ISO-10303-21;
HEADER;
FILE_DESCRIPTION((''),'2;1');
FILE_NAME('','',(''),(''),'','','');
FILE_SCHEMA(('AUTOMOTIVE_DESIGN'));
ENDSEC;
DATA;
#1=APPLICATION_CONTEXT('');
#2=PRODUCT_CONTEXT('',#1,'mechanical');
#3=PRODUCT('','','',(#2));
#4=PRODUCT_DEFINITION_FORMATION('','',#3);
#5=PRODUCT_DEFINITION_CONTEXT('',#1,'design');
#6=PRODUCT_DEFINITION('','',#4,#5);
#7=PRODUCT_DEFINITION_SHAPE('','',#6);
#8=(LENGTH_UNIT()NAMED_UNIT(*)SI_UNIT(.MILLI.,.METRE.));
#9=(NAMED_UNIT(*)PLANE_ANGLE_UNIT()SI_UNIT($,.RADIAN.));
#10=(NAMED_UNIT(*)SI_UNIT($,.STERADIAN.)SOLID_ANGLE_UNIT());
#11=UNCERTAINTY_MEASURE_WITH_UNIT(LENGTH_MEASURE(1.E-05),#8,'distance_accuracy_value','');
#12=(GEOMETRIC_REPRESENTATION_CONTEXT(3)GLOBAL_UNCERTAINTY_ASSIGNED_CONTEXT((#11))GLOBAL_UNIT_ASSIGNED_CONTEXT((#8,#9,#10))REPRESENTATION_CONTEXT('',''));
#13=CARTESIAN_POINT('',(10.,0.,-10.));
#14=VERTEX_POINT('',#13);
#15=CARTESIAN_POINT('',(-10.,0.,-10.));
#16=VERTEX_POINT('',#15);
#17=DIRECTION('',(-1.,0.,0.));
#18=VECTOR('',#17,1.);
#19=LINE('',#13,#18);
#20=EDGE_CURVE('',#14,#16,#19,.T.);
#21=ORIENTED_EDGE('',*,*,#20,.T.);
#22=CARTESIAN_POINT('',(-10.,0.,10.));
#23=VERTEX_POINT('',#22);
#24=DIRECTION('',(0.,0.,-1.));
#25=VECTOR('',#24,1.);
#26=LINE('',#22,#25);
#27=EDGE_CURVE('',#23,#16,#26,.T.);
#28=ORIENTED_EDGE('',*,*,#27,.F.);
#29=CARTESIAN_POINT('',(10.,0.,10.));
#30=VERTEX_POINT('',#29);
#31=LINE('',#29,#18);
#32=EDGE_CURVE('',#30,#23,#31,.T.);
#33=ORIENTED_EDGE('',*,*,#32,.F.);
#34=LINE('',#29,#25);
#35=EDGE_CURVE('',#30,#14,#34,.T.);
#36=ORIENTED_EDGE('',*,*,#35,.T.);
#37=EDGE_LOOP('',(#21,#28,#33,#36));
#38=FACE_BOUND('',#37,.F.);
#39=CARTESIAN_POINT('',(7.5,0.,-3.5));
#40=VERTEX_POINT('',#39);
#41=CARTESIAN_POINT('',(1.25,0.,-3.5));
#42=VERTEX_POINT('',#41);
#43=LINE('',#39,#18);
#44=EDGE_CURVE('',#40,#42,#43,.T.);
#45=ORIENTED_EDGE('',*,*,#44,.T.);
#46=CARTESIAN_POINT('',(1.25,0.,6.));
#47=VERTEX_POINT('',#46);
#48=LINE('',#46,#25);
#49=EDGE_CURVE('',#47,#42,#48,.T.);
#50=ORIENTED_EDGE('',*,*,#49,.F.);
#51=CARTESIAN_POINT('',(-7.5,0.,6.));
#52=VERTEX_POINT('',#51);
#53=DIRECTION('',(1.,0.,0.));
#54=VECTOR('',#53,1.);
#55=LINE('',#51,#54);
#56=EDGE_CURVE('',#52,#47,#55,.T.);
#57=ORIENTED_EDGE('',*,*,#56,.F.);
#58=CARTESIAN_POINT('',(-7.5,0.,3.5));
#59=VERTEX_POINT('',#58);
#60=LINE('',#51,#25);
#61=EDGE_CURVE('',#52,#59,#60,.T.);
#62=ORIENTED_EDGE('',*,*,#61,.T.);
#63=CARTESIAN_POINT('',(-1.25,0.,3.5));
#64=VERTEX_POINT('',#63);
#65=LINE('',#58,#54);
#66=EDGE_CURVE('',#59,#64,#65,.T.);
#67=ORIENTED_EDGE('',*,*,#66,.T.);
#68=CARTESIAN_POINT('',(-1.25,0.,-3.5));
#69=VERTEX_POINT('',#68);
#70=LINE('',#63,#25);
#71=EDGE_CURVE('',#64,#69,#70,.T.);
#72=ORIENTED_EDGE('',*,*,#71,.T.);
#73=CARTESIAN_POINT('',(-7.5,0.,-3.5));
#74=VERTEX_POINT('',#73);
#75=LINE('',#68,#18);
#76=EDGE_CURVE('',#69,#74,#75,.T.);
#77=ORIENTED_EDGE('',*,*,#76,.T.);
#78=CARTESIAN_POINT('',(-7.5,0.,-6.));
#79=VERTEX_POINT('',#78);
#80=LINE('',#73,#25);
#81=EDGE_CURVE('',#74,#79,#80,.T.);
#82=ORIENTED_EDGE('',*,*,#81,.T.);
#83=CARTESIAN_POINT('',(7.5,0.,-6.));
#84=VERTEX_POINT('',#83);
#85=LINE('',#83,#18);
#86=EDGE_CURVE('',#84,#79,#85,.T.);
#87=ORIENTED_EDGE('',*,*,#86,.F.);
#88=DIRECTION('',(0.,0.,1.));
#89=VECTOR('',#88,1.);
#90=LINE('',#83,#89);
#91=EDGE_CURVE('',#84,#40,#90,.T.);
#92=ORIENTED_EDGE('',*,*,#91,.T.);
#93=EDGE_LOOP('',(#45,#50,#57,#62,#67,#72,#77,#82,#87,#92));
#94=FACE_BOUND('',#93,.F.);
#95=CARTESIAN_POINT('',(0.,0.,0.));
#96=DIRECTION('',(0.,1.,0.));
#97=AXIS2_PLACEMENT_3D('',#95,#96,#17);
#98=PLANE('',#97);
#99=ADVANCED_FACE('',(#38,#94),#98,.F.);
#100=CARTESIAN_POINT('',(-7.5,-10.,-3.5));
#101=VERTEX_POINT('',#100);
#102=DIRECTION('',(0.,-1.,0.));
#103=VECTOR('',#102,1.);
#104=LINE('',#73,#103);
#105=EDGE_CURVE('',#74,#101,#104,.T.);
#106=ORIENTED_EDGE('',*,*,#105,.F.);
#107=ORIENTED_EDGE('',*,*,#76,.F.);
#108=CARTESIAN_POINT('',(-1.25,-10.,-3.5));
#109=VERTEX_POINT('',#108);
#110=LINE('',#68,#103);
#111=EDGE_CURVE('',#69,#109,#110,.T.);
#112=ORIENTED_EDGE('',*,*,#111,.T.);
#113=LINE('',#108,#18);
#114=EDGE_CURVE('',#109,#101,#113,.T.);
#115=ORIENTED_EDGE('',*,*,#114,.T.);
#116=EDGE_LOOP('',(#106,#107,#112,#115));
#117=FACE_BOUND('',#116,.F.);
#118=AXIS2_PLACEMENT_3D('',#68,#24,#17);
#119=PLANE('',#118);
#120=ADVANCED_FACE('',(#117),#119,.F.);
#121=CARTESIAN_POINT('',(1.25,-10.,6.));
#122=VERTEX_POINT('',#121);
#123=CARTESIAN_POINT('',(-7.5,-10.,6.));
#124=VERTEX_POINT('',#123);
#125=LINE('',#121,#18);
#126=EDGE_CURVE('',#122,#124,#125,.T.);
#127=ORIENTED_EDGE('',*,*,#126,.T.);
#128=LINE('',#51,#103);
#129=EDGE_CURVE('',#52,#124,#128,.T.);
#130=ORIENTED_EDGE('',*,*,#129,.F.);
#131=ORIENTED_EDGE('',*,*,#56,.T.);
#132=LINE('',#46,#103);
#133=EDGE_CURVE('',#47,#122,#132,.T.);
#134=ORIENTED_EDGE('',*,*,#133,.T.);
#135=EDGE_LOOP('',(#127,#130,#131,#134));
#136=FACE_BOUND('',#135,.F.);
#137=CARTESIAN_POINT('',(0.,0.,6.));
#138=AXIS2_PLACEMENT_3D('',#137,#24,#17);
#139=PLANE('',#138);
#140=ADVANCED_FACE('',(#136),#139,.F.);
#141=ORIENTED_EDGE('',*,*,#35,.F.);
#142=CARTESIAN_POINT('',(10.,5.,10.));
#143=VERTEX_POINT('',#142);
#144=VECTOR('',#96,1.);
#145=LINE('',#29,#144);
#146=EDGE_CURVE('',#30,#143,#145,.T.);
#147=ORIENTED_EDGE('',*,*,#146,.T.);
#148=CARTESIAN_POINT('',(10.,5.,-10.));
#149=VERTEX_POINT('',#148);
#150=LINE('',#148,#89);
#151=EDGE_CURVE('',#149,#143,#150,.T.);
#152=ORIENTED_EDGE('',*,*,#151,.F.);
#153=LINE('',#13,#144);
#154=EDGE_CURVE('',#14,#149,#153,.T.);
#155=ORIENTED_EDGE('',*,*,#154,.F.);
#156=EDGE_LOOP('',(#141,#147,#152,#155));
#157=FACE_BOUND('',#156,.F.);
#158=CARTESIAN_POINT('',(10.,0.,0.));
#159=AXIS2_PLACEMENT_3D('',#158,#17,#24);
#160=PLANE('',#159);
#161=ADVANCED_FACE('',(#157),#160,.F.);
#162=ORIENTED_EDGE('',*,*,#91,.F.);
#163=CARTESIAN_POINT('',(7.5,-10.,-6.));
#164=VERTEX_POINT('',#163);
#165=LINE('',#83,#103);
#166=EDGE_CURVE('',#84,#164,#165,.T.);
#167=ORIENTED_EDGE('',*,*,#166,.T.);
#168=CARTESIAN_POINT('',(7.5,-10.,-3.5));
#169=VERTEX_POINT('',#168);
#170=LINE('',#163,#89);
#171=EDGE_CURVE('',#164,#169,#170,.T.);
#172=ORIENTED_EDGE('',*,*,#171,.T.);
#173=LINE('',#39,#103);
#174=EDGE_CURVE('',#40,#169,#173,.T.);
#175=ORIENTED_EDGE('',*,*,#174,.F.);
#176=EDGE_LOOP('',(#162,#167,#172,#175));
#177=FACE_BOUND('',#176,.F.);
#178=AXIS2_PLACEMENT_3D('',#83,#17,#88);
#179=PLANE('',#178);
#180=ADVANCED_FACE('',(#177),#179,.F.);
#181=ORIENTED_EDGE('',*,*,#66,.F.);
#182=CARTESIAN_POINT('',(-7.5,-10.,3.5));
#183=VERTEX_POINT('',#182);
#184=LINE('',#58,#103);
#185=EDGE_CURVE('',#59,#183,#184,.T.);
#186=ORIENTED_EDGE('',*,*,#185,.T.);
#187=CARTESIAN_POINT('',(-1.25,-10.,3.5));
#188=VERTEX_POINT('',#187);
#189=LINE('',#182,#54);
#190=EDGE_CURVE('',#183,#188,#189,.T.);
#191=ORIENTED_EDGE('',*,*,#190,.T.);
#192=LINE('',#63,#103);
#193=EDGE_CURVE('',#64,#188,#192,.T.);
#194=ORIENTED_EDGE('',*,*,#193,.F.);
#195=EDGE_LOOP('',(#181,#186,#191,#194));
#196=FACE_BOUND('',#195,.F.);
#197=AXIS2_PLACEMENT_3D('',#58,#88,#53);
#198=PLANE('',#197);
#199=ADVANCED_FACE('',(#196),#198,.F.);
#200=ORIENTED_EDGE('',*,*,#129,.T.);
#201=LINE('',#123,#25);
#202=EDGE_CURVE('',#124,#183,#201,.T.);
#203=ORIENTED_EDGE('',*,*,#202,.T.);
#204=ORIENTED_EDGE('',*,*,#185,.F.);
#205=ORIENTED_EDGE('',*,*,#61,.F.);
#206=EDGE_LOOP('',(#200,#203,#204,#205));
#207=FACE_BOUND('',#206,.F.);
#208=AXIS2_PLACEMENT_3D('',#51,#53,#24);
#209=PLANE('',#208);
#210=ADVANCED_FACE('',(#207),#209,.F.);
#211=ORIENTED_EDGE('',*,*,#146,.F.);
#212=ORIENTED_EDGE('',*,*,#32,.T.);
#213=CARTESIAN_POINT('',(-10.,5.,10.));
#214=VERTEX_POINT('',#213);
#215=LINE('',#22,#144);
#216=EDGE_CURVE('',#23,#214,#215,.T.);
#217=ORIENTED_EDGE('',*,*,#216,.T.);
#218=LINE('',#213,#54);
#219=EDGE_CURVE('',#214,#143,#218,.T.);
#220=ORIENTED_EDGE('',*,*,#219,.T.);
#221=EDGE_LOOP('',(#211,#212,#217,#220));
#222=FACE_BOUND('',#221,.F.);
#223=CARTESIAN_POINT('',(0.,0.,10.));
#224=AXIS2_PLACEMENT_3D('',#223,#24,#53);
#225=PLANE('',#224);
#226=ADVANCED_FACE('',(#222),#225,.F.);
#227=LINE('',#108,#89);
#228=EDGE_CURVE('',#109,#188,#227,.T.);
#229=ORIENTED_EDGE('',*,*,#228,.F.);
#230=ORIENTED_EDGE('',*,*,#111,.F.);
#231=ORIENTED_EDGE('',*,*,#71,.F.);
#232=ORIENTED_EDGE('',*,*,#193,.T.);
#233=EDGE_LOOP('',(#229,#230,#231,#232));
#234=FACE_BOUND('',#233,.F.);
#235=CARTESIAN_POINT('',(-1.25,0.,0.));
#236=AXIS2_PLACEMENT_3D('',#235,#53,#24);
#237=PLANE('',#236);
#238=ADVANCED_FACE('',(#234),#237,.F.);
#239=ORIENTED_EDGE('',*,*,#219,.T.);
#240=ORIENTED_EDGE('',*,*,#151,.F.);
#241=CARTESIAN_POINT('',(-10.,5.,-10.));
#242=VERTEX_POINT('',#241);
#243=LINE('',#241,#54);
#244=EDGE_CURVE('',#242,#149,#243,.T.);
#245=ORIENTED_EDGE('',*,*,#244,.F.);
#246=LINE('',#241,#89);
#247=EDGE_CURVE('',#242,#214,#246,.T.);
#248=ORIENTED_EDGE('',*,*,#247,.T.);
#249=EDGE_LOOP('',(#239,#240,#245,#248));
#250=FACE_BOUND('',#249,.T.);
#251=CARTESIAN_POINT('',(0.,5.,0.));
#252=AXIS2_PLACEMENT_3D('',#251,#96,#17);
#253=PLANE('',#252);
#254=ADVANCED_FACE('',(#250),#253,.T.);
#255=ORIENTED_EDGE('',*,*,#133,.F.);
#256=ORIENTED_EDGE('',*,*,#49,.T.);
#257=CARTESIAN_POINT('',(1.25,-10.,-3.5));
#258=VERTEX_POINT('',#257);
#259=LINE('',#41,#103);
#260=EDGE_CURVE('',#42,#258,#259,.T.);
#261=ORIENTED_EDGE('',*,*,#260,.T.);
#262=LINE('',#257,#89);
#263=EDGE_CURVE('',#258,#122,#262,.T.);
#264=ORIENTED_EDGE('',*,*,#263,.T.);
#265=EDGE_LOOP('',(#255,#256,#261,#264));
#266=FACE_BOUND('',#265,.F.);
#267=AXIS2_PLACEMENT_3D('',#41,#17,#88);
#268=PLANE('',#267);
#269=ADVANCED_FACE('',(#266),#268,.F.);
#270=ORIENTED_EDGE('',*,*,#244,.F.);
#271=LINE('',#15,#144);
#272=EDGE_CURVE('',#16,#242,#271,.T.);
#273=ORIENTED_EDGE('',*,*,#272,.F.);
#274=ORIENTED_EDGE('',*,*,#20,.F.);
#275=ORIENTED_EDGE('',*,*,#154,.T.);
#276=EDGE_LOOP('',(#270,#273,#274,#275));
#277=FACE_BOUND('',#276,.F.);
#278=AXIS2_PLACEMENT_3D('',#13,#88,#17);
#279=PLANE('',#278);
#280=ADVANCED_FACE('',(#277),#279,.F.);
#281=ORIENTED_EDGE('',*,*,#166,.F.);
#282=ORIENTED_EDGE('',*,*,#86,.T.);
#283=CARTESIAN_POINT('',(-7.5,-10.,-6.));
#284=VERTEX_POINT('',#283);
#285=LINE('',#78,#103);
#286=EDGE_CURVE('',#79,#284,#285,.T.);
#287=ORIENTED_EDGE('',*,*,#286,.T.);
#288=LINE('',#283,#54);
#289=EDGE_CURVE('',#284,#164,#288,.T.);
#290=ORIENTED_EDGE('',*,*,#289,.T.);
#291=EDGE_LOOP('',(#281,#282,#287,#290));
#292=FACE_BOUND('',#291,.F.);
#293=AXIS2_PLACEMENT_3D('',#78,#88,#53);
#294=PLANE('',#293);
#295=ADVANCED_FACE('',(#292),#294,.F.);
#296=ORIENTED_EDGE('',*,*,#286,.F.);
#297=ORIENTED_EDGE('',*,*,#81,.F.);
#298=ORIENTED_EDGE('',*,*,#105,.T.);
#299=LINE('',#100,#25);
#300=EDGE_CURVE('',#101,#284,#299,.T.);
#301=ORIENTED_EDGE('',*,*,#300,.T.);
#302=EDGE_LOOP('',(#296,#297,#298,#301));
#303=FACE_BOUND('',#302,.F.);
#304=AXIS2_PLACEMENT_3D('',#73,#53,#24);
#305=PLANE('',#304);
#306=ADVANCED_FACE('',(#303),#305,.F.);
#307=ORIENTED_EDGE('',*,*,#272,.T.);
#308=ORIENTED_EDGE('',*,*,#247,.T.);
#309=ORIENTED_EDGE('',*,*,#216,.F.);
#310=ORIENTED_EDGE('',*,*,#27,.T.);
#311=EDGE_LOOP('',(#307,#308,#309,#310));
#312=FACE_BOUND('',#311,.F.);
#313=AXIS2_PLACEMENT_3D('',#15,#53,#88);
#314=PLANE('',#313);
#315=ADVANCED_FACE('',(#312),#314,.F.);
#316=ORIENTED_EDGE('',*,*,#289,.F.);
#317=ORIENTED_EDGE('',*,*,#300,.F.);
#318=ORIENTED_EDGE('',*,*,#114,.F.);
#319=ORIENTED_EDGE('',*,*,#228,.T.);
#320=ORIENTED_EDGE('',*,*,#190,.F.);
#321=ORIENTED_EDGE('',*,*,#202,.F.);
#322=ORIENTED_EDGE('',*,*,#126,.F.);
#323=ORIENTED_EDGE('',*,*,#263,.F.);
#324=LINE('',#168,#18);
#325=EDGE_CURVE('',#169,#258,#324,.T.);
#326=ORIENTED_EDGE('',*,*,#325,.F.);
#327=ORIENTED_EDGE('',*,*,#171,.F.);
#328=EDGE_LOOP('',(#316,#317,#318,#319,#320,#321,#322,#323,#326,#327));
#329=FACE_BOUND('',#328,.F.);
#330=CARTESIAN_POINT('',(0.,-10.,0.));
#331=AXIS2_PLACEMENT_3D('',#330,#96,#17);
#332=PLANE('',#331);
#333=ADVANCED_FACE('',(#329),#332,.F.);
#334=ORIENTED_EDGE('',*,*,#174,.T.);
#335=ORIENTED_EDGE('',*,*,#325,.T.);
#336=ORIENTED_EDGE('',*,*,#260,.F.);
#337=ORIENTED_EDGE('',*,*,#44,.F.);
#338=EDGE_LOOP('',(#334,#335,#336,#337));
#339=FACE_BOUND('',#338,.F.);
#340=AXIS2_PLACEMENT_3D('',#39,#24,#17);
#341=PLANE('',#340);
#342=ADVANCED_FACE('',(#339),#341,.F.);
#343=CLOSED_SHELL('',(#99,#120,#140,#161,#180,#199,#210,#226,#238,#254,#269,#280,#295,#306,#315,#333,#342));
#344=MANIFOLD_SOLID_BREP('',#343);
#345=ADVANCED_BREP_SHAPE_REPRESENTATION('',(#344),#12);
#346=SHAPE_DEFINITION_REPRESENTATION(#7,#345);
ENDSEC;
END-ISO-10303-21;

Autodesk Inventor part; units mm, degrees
ref_plane "YZ Plane" through (0, 0, 0) normal (1, 0, 0) x (0, 1, 0)
ref_plane "XZ Plane" through (0, 0, 0) normal (0, 1, 0) x (-1, 0, 0)
ref_plane "XY Plane" through (0, 0, 0) normal (0, 0, 1) x (1, 0, 0)
sketch "Sketch1" plane through (0, 0, 0) normal (0, 1, 0) x (-1, 0, 0)
  line L0 (-10, -10) -> (10, -10)
  line L1 (10, -10) -> (10, 10)
  line L2 (10, 10) -> (-10, 10)
  line L3 (-10, 10) -> (-10, -10)
  line L4 (-10, -10) -> (10, 10) construction
  line L5 (10, -10) -> (-10, 10) construction
  line L6 (7.5, 6) -> (7.5, 3.5)
  line L7 (7.5, 3.5) -> (1.25, 3.5)
  line L8 (1.25, 3.5) -> (1.25, -3.5)
  line L9 (1.25, -3.5) -> (7.5, -3.5)
  line L10 (7.5, -3.5) -> (7.5, -6)
  line L11 (7.5, -6) -> (-7.5, -6)
  line L12 (-7.5, -6) -> (-7.5, -3.5)
  line L13 (-7.5, -3.5) -> (-1.25, -3.5)
  line L14 (-1.25, -3.5) -> (-1.25, 6)
  line L15 (-1.25, 6) -> (7.5, 6)
  line L16 (14, 0) -> (-14, 0) projected
  line L17 (0, -14) -> (0, 14) projected
  point P0 (0, 0)
  dimension "d0" = 20
  dimension "d1" = 20
  dimension "d2" = 2.5
  dimension "d3" = 2.5
  dimension "d4" = 12
  dimension "d5" = 2.5
  dimension "d6" = 2.5
  dimension "d7" = 2.5
extrude "Extrusion1" add sketch "Sketch1" against normal blind 10 contours L17 L16 L8 L9 L10 L11 | L11 L12 L13 L14 L16 L17 | L14 L15 L17 L16 | L17 L15 L6 L7 L8 L16
extrude "Extrusion2" add sketch "Sketch1" along normal blind 5
properties part number "4"
